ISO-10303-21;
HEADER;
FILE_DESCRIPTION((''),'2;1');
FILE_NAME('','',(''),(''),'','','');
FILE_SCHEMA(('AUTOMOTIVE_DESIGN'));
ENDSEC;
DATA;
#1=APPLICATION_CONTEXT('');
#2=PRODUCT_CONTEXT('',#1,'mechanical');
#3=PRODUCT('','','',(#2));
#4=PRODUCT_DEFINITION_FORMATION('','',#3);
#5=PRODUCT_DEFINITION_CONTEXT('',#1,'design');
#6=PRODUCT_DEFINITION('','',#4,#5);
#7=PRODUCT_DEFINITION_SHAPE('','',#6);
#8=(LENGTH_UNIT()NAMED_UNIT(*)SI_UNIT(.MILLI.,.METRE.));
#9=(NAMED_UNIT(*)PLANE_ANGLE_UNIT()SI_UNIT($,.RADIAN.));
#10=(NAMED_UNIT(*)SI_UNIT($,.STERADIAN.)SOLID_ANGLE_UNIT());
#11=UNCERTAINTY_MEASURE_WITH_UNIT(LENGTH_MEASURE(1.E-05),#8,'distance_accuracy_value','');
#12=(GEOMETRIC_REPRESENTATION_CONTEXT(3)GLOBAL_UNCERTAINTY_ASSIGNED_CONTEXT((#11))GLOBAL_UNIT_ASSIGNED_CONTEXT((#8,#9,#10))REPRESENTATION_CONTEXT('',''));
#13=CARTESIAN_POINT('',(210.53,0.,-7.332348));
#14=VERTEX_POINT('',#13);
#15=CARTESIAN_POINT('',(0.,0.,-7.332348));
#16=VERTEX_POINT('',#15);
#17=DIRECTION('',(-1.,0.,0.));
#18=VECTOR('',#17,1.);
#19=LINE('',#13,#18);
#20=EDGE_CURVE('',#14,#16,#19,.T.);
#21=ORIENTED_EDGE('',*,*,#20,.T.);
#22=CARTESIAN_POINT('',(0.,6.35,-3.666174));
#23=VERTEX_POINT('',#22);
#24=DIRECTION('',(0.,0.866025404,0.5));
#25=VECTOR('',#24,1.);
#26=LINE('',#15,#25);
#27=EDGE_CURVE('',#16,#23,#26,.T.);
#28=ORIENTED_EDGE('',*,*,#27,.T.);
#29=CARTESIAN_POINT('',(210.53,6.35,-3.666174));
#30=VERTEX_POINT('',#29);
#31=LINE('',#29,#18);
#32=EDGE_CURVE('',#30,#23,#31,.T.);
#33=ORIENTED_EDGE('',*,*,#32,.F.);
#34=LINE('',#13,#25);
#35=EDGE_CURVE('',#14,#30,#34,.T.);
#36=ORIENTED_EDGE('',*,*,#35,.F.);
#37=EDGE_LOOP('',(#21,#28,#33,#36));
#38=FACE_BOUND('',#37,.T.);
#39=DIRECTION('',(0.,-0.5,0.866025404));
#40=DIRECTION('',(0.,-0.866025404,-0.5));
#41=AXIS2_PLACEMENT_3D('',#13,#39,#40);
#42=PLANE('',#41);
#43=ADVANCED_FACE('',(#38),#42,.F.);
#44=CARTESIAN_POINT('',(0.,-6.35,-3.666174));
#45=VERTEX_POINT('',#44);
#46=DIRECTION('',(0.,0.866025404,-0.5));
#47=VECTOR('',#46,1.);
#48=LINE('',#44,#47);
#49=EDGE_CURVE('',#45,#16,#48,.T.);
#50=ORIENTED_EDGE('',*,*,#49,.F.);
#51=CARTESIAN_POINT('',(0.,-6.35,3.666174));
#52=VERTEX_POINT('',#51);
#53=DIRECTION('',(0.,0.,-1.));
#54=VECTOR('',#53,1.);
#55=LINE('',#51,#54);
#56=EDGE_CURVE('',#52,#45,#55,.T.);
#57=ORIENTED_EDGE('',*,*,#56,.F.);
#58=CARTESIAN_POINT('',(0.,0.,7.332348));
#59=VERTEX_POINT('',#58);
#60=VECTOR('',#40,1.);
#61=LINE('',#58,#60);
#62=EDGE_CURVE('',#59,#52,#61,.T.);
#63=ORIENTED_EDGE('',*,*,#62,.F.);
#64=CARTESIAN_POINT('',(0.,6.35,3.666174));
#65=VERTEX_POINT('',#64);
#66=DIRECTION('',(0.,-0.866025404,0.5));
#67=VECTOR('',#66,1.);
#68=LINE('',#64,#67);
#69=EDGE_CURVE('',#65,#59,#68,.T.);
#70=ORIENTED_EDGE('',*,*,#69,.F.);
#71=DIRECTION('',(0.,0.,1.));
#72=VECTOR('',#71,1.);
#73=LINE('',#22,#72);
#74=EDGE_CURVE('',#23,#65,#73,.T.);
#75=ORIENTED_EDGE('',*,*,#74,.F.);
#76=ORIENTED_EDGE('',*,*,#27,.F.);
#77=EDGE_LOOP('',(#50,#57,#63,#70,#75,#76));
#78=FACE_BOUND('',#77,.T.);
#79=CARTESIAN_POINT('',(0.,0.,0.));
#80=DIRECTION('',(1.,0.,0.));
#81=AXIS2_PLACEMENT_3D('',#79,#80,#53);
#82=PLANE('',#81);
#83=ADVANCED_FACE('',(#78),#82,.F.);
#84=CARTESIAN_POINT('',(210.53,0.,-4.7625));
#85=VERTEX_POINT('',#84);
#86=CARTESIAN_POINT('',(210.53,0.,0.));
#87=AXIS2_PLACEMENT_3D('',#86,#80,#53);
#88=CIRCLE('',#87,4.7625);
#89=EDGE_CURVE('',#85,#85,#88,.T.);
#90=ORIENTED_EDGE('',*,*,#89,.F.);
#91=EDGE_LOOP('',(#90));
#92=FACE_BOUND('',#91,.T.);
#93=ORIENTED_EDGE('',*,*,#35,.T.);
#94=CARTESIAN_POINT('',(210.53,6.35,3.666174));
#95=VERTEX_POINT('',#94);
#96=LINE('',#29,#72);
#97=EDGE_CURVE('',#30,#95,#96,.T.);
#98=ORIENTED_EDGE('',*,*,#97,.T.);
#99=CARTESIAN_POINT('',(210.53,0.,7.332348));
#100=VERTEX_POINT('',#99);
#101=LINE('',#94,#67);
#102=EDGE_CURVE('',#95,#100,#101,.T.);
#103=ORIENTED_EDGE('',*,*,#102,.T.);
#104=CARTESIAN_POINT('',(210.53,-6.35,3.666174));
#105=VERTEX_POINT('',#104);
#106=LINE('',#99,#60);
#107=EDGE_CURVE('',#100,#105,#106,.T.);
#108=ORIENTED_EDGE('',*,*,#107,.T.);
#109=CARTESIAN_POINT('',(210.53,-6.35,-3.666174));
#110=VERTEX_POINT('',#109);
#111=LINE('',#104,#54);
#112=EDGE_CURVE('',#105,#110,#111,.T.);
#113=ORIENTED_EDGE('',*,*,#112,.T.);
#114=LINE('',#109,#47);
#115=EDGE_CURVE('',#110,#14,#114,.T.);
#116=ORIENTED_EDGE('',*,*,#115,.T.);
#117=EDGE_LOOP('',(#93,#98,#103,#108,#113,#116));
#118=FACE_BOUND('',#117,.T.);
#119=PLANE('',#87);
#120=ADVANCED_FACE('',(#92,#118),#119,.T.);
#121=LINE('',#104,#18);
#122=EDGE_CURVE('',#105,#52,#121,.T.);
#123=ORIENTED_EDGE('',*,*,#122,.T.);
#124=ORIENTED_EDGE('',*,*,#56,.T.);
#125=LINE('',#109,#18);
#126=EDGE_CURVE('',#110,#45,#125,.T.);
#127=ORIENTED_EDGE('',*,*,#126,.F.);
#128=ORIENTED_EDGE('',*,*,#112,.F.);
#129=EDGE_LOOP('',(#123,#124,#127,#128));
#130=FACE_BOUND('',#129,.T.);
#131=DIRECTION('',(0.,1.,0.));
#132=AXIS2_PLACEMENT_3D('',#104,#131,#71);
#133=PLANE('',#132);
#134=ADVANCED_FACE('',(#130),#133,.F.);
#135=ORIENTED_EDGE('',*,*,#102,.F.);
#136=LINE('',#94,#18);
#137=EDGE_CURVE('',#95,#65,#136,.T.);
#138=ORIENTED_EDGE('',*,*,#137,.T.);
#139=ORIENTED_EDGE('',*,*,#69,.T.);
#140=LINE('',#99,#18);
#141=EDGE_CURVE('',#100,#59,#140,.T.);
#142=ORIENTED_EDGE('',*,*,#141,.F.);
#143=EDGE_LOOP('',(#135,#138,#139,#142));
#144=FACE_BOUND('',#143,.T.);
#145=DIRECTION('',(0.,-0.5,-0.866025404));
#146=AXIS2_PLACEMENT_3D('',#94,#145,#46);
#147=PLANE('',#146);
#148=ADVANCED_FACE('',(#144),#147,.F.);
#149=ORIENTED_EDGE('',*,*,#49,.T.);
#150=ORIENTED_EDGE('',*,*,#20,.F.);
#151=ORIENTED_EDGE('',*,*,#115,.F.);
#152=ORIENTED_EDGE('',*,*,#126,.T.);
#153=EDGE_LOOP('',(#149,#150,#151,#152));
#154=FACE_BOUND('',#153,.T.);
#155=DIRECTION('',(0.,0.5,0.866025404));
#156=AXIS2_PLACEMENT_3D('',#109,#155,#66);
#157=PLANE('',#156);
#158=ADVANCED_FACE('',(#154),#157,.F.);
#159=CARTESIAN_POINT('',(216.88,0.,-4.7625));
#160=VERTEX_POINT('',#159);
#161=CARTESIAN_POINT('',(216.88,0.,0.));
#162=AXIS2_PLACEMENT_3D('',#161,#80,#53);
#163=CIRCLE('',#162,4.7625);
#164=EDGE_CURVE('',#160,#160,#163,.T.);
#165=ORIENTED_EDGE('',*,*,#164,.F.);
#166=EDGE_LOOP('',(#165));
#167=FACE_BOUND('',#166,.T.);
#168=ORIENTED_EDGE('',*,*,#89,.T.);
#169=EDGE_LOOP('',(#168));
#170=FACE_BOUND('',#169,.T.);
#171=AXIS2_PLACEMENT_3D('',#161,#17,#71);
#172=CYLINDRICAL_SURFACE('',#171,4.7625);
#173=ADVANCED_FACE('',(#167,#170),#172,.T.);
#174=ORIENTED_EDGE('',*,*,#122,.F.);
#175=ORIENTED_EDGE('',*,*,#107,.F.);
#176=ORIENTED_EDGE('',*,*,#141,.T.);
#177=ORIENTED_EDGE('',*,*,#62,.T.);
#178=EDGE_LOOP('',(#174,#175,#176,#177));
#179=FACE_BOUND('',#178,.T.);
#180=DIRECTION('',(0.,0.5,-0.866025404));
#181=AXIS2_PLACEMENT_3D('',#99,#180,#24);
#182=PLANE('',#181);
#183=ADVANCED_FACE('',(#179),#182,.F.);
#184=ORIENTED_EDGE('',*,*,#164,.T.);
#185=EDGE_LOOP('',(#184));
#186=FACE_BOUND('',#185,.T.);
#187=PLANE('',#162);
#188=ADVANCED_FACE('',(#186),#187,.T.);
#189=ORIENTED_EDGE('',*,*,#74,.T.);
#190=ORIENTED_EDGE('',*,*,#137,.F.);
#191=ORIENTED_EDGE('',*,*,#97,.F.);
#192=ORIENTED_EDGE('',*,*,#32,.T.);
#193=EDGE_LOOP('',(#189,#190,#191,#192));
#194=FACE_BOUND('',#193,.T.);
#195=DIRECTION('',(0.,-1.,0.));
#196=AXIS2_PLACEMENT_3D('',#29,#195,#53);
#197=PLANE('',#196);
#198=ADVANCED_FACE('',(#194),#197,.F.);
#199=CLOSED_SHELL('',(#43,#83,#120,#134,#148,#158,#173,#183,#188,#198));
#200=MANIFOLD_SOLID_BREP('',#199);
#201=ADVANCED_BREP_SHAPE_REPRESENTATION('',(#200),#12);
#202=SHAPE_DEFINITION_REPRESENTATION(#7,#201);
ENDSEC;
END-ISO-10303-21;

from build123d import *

# Parameters (mm, degrees)
SALIENTE_EXTRUIR1_DEPTH = 210.53
CROQUIS2_R              = 4.7625
SALIENTE_EXTRUIR2_DEPTH = 6.35


with BuildPart() as part:
    # Croquis1 → Saliente-Extruir1 (new body)
    with BuildSketch(Plane(origin=(0, 0, 0), x_dir=(0, 0, -1), z_dir=(1, 0, 0))):
        Polygon((7.332348419, 0), (3.666174209, 6.35), (-3.666174209, 6.35), (-7.332348419, 0), (-3.666174209, -6.35), (3.666174209, -6.35), align=None)
    extrude(amount=SALIENTE_EXTRUIR1_DEPTH)

    # Croquis2 → Saliente-Extruir2 (add)
    with BuildSketch(Plane(origin=(210.53, 0, 0), x_dir=(0, 0, -1), z_dir=(1, 0, 0))):
        Circle(CROQUIS2_R)
    extrude(amount=SALIENTE_EXTRUIR2_DEPTH)


solid = part.part
